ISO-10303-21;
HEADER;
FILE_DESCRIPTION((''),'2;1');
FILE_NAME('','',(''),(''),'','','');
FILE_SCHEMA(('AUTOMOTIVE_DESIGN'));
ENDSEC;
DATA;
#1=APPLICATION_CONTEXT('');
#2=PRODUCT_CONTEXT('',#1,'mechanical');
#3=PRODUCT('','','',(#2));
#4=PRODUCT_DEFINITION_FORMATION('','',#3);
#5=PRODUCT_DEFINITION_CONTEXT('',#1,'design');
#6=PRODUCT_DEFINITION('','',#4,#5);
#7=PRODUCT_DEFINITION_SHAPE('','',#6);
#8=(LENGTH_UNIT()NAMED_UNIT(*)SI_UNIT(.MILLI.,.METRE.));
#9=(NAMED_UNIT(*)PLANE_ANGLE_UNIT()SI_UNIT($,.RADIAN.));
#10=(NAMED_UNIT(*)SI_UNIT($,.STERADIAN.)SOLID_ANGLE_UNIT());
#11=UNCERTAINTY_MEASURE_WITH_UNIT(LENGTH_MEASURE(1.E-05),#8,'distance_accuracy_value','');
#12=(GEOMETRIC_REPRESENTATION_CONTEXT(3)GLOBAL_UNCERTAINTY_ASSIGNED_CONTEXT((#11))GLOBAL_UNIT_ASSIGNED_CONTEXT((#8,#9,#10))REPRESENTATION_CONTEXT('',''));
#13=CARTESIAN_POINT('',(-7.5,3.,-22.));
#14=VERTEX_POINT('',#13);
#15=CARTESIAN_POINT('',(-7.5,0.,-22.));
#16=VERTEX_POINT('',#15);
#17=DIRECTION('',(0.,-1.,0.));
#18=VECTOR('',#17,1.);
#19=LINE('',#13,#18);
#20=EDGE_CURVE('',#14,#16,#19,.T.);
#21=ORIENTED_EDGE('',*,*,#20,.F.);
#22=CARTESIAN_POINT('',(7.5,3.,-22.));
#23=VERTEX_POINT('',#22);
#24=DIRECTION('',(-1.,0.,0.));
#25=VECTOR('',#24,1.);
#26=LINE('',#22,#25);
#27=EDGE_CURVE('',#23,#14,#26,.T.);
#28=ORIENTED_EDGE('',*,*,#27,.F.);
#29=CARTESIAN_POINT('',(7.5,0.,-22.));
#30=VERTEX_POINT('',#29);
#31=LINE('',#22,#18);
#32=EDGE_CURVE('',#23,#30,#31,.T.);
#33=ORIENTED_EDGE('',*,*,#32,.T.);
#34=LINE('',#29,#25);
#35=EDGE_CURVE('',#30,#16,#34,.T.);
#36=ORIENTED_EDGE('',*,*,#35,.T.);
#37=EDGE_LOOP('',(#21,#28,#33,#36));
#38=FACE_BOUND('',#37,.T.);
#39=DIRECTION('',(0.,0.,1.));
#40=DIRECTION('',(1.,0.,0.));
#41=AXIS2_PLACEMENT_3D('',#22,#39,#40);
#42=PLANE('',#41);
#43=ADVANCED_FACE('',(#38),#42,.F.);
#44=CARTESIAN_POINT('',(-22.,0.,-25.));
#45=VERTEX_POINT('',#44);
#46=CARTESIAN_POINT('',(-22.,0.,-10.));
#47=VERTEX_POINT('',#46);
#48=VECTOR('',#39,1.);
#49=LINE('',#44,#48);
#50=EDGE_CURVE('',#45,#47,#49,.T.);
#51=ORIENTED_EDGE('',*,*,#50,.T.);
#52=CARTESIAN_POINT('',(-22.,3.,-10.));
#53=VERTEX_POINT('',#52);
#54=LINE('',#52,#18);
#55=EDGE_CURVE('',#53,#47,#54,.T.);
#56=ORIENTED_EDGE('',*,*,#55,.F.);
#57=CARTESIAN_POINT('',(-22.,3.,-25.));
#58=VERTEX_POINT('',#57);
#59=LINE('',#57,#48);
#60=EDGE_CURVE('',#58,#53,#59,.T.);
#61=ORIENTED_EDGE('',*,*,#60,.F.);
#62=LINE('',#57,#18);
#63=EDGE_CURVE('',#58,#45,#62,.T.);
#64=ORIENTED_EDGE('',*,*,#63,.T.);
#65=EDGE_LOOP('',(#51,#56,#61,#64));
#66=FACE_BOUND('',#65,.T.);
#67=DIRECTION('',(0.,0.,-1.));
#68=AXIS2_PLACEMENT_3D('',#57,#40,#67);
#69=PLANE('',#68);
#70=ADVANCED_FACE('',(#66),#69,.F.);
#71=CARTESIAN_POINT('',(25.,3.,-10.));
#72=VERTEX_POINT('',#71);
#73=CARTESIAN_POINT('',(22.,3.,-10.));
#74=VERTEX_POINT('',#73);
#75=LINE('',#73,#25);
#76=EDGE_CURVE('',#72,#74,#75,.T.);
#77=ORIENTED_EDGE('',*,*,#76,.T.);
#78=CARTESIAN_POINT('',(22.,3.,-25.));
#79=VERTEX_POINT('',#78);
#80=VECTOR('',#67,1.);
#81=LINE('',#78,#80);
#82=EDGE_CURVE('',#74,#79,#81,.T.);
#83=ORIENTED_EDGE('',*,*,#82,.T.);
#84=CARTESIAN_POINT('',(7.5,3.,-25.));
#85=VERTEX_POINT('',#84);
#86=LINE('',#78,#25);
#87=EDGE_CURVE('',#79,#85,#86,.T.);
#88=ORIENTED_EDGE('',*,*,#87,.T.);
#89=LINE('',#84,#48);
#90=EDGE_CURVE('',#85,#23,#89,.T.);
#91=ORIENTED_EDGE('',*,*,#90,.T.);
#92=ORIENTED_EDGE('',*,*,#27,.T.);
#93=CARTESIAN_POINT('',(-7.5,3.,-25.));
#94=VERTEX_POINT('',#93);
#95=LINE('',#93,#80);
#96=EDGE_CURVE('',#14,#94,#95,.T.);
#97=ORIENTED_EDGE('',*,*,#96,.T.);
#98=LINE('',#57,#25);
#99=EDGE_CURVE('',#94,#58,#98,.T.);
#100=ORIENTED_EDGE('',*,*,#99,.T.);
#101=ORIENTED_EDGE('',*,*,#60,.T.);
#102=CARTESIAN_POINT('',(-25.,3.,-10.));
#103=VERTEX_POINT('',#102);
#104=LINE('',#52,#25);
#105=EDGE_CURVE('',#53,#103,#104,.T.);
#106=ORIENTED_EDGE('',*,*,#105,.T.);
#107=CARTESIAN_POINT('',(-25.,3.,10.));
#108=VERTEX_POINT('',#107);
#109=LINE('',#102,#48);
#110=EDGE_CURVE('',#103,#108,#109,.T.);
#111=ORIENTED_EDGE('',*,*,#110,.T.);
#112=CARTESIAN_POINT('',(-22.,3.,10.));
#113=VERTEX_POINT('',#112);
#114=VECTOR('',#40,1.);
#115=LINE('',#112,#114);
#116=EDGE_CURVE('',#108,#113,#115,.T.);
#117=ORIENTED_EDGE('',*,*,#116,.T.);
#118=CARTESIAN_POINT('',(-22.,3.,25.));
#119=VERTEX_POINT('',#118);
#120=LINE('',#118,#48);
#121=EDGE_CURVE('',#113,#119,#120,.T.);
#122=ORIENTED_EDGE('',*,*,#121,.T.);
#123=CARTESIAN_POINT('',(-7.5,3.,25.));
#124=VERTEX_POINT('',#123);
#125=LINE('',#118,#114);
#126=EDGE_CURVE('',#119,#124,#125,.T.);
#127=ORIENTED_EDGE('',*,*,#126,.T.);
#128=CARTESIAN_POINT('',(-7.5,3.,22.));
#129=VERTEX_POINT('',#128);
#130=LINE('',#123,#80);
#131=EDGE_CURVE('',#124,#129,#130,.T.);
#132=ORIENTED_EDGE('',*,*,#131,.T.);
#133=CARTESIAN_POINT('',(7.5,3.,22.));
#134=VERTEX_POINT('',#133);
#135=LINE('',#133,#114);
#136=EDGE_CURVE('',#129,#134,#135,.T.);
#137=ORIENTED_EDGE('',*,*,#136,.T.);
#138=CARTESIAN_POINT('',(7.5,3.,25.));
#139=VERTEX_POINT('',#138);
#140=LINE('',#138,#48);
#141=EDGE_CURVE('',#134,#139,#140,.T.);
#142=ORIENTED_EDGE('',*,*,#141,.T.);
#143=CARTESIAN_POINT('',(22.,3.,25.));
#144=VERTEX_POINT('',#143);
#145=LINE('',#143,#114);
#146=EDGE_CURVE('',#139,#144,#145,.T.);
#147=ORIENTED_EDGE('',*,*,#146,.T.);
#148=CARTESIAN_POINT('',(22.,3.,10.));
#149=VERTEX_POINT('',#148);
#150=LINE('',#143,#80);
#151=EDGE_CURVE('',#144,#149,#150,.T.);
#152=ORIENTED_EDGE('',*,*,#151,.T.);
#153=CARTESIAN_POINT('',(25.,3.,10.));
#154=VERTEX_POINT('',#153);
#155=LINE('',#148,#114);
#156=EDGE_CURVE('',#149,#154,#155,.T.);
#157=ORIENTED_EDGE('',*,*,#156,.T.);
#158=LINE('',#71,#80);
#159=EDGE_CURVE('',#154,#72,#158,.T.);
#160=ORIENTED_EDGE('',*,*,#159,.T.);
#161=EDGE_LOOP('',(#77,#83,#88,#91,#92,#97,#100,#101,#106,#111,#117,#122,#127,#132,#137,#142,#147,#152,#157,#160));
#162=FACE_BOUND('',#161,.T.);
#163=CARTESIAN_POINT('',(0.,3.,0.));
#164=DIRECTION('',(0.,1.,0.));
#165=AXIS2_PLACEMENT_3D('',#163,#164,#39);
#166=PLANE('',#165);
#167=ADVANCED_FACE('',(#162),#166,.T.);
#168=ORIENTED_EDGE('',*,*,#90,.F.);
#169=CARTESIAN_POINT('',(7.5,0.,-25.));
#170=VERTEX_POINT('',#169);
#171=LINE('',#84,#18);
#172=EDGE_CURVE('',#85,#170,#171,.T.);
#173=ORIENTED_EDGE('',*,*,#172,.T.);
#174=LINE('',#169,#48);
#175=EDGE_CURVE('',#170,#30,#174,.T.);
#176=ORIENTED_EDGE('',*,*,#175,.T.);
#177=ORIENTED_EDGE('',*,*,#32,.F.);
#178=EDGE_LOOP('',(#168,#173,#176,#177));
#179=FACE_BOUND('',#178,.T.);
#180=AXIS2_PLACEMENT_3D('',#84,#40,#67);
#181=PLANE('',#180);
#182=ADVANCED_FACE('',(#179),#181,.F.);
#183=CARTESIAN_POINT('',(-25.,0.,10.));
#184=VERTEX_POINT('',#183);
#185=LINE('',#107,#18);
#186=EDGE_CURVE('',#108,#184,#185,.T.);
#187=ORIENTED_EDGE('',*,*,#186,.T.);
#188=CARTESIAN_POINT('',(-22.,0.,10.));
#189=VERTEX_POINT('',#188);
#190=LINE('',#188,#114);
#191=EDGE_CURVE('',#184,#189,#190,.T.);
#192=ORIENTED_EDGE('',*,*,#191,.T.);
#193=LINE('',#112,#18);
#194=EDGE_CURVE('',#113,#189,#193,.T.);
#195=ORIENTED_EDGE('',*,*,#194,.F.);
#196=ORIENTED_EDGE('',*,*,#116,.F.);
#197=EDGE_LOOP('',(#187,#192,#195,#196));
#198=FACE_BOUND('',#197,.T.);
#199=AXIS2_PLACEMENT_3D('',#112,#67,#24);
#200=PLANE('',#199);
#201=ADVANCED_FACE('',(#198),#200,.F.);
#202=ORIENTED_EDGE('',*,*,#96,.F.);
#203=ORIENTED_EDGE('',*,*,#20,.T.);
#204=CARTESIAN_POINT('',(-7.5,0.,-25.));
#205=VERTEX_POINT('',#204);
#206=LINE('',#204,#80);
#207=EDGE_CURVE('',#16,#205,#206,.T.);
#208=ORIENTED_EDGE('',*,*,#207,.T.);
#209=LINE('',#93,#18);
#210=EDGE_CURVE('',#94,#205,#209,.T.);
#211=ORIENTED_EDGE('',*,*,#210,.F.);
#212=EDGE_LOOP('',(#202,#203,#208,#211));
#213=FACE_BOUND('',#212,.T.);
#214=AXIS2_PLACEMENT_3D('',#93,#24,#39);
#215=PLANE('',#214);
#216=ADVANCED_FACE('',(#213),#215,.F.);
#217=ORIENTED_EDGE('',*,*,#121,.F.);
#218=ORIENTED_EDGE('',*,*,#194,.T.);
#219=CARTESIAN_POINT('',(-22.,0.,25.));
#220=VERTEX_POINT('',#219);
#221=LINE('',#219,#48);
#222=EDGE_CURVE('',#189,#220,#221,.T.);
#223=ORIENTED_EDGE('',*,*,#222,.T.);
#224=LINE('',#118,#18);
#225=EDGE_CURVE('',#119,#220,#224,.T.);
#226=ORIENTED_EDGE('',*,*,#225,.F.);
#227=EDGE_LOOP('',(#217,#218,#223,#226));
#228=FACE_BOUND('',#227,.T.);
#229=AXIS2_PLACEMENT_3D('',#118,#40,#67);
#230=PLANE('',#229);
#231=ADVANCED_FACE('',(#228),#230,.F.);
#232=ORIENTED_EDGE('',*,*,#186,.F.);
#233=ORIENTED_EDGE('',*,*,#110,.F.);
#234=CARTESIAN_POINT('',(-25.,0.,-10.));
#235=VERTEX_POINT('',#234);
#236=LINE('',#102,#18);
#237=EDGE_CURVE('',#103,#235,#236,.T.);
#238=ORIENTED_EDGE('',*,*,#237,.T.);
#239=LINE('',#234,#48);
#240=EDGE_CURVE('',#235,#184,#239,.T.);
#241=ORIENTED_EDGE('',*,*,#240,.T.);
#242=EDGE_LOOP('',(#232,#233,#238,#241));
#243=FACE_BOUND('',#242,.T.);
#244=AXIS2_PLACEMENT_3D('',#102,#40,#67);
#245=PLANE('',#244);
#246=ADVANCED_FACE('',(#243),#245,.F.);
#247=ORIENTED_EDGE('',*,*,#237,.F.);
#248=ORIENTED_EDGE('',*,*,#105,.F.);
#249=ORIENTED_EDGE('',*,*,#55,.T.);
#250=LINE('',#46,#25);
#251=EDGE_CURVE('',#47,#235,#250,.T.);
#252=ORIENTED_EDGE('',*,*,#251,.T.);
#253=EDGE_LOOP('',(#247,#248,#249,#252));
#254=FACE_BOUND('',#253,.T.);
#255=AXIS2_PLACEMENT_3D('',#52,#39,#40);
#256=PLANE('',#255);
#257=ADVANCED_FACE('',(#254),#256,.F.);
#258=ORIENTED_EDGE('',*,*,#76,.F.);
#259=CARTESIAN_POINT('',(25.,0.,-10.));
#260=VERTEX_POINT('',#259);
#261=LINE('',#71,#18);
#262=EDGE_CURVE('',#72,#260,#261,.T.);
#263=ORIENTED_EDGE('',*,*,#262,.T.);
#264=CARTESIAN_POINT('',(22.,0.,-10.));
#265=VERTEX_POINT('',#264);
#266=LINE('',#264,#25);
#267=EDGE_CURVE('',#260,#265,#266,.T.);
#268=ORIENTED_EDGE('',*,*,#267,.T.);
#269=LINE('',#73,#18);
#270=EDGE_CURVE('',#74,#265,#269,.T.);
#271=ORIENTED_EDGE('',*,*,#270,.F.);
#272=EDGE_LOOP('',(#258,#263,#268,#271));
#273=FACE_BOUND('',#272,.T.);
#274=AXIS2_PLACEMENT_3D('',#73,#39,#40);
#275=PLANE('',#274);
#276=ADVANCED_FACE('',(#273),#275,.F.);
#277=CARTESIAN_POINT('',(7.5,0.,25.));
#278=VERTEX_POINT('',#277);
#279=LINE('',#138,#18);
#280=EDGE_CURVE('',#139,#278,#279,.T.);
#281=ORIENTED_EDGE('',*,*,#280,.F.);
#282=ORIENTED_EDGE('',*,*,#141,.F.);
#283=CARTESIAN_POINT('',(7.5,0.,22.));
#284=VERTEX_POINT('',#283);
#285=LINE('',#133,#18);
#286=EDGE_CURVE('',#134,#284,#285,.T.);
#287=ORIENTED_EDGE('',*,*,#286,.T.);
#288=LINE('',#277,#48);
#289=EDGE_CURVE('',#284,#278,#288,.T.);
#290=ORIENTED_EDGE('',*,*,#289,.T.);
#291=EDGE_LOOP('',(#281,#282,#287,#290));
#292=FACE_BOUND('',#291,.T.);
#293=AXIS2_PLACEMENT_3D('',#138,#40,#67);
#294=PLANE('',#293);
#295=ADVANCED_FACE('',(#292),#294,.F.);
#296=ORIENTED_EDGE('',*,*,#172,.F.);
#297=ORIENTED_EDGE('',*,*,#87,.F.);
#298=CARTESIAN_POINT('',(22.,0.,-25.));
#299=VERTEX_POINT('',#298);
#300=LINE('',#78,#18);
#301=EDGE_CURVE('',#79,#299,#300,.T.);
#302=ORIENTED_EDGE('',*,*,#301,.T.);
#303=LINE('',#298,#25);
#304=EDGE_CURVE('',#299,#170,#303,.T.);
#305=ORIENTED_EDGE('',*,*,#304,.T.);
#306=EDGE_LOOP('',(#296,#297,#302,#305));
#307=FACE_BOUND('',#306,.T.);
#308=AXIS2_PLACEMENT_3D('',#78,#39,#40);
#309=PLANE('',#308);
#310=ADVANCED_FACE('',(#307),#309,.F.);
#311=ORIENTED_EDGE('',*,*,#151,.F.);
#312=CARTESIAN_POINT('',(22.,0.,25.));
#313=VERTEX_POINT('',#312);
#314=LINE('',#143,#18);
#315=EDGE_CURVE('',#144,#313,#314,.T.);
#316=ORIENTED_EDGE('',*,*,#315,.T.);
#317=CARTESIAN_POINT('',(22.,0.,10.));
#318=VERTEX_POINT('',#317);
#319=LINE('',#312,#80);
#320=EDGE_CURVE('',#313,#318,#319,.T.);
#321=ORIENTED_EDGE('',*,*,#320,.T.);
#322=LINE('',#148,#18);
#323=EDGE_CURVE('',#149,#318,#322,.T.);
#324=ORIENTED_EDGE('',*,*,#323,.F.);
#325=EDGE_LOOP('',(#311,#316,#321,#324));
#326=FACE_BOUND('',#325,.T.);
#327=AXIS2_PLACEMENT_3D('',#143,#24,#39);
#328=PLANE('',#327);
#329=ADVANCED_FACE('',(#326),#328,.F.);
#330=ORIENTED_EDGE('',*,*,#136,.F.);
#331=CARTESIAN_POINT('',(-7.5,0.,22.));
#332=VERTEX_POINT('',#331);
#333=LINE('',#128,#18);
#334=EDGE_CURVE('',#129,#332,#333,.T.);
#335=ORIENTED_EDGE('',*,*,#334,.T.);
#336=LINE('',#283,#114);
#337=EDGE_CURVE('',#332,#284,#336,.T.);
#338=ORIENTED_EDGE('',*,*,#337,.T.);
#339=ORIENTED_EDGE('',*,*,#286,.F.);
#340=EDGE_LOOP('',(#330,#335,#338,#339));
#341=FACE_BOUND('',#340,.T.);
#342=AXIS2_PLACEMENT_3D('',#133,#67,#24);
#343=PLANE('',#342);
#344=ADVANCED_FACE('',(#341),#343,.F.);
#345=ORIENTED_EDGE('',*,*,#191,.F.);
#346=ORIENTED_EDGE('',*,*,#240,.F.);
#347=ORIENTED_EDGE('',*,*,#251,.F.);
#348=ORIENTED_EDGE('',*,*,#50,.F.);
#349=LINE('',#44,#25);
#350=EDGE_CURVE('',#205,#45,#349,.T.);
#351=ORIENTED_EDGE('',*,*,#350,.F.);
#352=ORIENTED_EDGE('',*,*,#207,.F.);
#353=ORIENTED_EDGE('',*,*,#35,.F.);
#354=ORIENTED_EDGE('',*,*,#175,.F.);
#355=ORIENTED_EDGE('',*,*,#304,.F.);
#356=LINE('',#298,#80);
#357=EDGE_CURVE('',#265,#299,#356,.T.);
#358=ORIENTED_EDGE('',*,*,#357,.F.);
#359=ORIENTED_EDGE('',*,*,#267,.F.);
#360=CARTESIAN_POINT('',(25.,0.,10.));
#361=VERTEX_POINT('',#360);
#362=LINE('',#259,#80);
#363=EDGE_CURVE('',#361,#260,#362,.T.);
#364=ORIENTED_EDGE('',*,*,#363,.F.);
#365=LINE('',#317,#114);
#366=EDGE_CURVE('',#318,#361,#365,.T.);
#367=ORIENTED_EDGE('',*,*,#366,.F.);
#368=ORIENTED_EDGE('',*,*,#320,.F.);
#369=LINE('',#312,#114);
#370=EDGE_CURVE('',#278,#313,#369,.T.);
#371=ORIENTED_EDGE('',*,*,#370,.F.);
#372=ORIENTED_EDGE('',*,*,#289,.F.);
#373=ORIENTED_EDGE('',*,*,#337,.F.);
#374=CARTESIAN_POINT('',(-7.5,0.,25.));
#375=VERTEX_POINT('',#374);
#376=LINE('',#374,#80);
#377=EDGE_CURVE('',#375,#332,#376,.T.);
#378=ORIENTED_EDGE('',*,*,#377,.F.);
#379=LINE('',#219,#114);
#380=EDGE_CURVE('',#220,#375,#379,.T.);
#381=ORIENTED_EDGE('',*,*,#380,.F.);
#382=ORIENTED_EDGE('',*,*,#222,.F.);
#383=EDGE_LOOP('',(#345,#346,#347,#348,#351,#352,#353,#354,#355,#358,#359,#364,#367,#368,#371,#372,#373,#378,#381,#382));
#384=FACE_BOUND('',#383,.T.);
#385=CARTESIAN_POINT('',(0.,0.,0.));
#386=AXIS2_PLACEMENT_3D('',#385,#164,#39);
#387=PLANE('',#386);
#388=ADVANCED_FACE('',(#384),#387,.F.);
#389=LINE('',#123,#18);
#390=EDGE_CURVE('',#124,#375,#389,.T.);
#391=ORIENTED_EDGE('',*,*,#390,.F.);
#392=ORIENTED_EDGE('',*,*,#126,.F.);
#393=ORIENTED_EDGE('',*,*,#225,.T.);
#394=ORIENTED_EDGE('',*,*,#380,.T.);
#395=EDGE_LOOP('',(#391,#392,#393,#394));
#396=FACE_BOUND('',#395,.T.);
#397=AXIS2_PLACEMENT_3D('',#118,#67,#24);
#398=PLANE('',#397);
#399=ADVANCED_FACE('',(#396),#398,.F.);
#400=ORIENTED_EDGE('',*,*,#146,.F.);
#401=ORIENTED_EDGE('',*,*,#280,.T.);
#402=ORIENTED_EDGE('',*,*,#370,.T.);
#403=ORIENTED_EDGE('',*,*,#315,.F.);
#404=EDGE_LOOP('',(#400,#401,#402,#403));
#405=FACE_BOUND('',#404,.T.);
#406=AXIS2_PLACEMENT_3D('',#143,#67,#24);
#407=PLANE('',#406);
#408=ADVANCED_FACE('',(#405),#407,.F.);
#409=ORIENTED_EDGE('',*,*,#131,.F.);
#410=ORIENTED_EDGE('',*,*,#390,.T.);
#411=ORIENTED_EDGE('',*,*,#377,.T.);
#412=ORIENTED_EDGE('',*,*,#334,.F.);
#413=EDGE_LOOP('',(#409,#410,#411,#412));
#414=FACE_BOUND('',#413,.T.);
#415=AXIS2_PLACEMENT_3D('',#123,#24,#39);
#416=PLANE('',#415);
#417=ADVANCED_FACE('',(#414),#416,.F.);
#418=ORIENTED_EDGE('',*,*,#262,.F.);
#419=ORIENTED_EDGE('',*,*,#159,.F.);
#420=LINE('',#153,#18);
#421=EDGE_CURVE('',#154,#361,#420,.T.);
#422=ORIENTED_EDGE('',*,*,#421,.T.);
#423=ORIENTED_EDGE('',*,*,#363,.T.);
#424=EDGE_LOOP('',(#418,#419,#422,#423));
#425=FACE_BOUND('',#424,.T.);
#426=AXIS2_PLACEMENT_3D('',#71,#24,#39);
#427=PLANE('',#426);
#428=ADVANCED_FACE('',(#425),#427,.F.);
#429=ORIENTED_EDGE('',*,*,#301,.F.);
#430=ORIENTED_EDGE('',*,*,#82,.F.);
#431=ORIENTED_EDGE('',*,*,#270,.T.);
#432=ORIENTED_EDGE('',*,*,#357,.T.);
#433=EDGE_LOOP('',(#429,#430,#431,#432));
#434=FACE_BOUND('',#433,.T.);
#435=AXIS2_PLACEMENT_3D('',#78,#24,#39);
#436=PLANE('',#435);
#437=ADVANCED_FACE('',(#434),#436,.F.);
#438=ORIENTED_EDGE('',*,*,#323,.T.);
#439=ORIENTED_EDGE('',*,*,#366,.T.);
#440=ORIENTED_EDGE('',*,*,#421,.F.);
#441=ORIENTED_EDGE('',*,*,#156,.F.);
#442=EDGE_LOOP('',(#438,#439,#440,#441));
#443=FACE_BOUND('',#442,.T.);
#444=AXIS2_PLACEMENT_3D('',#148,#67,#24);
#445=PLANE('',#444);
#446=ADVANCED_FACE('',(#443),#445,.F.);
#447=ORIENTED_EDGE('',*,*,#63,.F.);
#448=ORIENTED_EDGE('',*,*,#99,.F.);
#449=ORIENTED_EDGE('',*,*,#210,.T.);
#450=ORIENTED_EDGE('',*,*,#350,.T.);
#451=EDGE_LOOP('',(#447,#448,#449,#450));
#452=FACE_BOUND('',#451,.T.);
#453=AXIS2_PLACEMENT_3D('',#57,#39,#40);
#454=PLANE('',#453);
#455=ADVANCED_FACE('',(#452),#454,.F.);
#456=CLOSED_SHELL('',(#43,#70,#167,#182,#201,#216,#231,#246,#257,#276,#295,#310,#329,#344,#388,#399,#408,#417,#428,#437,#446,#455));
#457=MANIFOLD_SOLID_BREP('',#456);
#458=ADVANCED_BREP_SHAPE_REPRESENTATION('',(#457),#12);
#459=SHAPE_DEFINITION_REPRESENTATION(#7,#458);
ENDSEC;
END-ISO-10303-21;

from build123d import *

# Parameters (mm, degrees)
EXTRUDE_1_DEPTH = 3


with BuildPart() as part:
    # 草图1 → 凸台-拉伸1 (new body)
    with BuildSketch(Plane(origin=(0, 0, 0), x_dir=(1, 0, 0), z_dir=(0, 1, 0))):
        Polygon((22, 25), (22, 10), (25, 10), (25, -10), (22, -10), (22, -25), (7.5, -25), (7.5, -22), (-7.5, -22), (-7.5, -25), (-22, -25), (-22, -10), (-25, -10), (-25, 10), (-22, 10), (-22, 25), (-7.5, 25), (-7.5, 22), (7.5, 22), (7.5, 25), align=None)
    extrude(amount=EXTRUDE_1_DEPTH)


solid = part.part
